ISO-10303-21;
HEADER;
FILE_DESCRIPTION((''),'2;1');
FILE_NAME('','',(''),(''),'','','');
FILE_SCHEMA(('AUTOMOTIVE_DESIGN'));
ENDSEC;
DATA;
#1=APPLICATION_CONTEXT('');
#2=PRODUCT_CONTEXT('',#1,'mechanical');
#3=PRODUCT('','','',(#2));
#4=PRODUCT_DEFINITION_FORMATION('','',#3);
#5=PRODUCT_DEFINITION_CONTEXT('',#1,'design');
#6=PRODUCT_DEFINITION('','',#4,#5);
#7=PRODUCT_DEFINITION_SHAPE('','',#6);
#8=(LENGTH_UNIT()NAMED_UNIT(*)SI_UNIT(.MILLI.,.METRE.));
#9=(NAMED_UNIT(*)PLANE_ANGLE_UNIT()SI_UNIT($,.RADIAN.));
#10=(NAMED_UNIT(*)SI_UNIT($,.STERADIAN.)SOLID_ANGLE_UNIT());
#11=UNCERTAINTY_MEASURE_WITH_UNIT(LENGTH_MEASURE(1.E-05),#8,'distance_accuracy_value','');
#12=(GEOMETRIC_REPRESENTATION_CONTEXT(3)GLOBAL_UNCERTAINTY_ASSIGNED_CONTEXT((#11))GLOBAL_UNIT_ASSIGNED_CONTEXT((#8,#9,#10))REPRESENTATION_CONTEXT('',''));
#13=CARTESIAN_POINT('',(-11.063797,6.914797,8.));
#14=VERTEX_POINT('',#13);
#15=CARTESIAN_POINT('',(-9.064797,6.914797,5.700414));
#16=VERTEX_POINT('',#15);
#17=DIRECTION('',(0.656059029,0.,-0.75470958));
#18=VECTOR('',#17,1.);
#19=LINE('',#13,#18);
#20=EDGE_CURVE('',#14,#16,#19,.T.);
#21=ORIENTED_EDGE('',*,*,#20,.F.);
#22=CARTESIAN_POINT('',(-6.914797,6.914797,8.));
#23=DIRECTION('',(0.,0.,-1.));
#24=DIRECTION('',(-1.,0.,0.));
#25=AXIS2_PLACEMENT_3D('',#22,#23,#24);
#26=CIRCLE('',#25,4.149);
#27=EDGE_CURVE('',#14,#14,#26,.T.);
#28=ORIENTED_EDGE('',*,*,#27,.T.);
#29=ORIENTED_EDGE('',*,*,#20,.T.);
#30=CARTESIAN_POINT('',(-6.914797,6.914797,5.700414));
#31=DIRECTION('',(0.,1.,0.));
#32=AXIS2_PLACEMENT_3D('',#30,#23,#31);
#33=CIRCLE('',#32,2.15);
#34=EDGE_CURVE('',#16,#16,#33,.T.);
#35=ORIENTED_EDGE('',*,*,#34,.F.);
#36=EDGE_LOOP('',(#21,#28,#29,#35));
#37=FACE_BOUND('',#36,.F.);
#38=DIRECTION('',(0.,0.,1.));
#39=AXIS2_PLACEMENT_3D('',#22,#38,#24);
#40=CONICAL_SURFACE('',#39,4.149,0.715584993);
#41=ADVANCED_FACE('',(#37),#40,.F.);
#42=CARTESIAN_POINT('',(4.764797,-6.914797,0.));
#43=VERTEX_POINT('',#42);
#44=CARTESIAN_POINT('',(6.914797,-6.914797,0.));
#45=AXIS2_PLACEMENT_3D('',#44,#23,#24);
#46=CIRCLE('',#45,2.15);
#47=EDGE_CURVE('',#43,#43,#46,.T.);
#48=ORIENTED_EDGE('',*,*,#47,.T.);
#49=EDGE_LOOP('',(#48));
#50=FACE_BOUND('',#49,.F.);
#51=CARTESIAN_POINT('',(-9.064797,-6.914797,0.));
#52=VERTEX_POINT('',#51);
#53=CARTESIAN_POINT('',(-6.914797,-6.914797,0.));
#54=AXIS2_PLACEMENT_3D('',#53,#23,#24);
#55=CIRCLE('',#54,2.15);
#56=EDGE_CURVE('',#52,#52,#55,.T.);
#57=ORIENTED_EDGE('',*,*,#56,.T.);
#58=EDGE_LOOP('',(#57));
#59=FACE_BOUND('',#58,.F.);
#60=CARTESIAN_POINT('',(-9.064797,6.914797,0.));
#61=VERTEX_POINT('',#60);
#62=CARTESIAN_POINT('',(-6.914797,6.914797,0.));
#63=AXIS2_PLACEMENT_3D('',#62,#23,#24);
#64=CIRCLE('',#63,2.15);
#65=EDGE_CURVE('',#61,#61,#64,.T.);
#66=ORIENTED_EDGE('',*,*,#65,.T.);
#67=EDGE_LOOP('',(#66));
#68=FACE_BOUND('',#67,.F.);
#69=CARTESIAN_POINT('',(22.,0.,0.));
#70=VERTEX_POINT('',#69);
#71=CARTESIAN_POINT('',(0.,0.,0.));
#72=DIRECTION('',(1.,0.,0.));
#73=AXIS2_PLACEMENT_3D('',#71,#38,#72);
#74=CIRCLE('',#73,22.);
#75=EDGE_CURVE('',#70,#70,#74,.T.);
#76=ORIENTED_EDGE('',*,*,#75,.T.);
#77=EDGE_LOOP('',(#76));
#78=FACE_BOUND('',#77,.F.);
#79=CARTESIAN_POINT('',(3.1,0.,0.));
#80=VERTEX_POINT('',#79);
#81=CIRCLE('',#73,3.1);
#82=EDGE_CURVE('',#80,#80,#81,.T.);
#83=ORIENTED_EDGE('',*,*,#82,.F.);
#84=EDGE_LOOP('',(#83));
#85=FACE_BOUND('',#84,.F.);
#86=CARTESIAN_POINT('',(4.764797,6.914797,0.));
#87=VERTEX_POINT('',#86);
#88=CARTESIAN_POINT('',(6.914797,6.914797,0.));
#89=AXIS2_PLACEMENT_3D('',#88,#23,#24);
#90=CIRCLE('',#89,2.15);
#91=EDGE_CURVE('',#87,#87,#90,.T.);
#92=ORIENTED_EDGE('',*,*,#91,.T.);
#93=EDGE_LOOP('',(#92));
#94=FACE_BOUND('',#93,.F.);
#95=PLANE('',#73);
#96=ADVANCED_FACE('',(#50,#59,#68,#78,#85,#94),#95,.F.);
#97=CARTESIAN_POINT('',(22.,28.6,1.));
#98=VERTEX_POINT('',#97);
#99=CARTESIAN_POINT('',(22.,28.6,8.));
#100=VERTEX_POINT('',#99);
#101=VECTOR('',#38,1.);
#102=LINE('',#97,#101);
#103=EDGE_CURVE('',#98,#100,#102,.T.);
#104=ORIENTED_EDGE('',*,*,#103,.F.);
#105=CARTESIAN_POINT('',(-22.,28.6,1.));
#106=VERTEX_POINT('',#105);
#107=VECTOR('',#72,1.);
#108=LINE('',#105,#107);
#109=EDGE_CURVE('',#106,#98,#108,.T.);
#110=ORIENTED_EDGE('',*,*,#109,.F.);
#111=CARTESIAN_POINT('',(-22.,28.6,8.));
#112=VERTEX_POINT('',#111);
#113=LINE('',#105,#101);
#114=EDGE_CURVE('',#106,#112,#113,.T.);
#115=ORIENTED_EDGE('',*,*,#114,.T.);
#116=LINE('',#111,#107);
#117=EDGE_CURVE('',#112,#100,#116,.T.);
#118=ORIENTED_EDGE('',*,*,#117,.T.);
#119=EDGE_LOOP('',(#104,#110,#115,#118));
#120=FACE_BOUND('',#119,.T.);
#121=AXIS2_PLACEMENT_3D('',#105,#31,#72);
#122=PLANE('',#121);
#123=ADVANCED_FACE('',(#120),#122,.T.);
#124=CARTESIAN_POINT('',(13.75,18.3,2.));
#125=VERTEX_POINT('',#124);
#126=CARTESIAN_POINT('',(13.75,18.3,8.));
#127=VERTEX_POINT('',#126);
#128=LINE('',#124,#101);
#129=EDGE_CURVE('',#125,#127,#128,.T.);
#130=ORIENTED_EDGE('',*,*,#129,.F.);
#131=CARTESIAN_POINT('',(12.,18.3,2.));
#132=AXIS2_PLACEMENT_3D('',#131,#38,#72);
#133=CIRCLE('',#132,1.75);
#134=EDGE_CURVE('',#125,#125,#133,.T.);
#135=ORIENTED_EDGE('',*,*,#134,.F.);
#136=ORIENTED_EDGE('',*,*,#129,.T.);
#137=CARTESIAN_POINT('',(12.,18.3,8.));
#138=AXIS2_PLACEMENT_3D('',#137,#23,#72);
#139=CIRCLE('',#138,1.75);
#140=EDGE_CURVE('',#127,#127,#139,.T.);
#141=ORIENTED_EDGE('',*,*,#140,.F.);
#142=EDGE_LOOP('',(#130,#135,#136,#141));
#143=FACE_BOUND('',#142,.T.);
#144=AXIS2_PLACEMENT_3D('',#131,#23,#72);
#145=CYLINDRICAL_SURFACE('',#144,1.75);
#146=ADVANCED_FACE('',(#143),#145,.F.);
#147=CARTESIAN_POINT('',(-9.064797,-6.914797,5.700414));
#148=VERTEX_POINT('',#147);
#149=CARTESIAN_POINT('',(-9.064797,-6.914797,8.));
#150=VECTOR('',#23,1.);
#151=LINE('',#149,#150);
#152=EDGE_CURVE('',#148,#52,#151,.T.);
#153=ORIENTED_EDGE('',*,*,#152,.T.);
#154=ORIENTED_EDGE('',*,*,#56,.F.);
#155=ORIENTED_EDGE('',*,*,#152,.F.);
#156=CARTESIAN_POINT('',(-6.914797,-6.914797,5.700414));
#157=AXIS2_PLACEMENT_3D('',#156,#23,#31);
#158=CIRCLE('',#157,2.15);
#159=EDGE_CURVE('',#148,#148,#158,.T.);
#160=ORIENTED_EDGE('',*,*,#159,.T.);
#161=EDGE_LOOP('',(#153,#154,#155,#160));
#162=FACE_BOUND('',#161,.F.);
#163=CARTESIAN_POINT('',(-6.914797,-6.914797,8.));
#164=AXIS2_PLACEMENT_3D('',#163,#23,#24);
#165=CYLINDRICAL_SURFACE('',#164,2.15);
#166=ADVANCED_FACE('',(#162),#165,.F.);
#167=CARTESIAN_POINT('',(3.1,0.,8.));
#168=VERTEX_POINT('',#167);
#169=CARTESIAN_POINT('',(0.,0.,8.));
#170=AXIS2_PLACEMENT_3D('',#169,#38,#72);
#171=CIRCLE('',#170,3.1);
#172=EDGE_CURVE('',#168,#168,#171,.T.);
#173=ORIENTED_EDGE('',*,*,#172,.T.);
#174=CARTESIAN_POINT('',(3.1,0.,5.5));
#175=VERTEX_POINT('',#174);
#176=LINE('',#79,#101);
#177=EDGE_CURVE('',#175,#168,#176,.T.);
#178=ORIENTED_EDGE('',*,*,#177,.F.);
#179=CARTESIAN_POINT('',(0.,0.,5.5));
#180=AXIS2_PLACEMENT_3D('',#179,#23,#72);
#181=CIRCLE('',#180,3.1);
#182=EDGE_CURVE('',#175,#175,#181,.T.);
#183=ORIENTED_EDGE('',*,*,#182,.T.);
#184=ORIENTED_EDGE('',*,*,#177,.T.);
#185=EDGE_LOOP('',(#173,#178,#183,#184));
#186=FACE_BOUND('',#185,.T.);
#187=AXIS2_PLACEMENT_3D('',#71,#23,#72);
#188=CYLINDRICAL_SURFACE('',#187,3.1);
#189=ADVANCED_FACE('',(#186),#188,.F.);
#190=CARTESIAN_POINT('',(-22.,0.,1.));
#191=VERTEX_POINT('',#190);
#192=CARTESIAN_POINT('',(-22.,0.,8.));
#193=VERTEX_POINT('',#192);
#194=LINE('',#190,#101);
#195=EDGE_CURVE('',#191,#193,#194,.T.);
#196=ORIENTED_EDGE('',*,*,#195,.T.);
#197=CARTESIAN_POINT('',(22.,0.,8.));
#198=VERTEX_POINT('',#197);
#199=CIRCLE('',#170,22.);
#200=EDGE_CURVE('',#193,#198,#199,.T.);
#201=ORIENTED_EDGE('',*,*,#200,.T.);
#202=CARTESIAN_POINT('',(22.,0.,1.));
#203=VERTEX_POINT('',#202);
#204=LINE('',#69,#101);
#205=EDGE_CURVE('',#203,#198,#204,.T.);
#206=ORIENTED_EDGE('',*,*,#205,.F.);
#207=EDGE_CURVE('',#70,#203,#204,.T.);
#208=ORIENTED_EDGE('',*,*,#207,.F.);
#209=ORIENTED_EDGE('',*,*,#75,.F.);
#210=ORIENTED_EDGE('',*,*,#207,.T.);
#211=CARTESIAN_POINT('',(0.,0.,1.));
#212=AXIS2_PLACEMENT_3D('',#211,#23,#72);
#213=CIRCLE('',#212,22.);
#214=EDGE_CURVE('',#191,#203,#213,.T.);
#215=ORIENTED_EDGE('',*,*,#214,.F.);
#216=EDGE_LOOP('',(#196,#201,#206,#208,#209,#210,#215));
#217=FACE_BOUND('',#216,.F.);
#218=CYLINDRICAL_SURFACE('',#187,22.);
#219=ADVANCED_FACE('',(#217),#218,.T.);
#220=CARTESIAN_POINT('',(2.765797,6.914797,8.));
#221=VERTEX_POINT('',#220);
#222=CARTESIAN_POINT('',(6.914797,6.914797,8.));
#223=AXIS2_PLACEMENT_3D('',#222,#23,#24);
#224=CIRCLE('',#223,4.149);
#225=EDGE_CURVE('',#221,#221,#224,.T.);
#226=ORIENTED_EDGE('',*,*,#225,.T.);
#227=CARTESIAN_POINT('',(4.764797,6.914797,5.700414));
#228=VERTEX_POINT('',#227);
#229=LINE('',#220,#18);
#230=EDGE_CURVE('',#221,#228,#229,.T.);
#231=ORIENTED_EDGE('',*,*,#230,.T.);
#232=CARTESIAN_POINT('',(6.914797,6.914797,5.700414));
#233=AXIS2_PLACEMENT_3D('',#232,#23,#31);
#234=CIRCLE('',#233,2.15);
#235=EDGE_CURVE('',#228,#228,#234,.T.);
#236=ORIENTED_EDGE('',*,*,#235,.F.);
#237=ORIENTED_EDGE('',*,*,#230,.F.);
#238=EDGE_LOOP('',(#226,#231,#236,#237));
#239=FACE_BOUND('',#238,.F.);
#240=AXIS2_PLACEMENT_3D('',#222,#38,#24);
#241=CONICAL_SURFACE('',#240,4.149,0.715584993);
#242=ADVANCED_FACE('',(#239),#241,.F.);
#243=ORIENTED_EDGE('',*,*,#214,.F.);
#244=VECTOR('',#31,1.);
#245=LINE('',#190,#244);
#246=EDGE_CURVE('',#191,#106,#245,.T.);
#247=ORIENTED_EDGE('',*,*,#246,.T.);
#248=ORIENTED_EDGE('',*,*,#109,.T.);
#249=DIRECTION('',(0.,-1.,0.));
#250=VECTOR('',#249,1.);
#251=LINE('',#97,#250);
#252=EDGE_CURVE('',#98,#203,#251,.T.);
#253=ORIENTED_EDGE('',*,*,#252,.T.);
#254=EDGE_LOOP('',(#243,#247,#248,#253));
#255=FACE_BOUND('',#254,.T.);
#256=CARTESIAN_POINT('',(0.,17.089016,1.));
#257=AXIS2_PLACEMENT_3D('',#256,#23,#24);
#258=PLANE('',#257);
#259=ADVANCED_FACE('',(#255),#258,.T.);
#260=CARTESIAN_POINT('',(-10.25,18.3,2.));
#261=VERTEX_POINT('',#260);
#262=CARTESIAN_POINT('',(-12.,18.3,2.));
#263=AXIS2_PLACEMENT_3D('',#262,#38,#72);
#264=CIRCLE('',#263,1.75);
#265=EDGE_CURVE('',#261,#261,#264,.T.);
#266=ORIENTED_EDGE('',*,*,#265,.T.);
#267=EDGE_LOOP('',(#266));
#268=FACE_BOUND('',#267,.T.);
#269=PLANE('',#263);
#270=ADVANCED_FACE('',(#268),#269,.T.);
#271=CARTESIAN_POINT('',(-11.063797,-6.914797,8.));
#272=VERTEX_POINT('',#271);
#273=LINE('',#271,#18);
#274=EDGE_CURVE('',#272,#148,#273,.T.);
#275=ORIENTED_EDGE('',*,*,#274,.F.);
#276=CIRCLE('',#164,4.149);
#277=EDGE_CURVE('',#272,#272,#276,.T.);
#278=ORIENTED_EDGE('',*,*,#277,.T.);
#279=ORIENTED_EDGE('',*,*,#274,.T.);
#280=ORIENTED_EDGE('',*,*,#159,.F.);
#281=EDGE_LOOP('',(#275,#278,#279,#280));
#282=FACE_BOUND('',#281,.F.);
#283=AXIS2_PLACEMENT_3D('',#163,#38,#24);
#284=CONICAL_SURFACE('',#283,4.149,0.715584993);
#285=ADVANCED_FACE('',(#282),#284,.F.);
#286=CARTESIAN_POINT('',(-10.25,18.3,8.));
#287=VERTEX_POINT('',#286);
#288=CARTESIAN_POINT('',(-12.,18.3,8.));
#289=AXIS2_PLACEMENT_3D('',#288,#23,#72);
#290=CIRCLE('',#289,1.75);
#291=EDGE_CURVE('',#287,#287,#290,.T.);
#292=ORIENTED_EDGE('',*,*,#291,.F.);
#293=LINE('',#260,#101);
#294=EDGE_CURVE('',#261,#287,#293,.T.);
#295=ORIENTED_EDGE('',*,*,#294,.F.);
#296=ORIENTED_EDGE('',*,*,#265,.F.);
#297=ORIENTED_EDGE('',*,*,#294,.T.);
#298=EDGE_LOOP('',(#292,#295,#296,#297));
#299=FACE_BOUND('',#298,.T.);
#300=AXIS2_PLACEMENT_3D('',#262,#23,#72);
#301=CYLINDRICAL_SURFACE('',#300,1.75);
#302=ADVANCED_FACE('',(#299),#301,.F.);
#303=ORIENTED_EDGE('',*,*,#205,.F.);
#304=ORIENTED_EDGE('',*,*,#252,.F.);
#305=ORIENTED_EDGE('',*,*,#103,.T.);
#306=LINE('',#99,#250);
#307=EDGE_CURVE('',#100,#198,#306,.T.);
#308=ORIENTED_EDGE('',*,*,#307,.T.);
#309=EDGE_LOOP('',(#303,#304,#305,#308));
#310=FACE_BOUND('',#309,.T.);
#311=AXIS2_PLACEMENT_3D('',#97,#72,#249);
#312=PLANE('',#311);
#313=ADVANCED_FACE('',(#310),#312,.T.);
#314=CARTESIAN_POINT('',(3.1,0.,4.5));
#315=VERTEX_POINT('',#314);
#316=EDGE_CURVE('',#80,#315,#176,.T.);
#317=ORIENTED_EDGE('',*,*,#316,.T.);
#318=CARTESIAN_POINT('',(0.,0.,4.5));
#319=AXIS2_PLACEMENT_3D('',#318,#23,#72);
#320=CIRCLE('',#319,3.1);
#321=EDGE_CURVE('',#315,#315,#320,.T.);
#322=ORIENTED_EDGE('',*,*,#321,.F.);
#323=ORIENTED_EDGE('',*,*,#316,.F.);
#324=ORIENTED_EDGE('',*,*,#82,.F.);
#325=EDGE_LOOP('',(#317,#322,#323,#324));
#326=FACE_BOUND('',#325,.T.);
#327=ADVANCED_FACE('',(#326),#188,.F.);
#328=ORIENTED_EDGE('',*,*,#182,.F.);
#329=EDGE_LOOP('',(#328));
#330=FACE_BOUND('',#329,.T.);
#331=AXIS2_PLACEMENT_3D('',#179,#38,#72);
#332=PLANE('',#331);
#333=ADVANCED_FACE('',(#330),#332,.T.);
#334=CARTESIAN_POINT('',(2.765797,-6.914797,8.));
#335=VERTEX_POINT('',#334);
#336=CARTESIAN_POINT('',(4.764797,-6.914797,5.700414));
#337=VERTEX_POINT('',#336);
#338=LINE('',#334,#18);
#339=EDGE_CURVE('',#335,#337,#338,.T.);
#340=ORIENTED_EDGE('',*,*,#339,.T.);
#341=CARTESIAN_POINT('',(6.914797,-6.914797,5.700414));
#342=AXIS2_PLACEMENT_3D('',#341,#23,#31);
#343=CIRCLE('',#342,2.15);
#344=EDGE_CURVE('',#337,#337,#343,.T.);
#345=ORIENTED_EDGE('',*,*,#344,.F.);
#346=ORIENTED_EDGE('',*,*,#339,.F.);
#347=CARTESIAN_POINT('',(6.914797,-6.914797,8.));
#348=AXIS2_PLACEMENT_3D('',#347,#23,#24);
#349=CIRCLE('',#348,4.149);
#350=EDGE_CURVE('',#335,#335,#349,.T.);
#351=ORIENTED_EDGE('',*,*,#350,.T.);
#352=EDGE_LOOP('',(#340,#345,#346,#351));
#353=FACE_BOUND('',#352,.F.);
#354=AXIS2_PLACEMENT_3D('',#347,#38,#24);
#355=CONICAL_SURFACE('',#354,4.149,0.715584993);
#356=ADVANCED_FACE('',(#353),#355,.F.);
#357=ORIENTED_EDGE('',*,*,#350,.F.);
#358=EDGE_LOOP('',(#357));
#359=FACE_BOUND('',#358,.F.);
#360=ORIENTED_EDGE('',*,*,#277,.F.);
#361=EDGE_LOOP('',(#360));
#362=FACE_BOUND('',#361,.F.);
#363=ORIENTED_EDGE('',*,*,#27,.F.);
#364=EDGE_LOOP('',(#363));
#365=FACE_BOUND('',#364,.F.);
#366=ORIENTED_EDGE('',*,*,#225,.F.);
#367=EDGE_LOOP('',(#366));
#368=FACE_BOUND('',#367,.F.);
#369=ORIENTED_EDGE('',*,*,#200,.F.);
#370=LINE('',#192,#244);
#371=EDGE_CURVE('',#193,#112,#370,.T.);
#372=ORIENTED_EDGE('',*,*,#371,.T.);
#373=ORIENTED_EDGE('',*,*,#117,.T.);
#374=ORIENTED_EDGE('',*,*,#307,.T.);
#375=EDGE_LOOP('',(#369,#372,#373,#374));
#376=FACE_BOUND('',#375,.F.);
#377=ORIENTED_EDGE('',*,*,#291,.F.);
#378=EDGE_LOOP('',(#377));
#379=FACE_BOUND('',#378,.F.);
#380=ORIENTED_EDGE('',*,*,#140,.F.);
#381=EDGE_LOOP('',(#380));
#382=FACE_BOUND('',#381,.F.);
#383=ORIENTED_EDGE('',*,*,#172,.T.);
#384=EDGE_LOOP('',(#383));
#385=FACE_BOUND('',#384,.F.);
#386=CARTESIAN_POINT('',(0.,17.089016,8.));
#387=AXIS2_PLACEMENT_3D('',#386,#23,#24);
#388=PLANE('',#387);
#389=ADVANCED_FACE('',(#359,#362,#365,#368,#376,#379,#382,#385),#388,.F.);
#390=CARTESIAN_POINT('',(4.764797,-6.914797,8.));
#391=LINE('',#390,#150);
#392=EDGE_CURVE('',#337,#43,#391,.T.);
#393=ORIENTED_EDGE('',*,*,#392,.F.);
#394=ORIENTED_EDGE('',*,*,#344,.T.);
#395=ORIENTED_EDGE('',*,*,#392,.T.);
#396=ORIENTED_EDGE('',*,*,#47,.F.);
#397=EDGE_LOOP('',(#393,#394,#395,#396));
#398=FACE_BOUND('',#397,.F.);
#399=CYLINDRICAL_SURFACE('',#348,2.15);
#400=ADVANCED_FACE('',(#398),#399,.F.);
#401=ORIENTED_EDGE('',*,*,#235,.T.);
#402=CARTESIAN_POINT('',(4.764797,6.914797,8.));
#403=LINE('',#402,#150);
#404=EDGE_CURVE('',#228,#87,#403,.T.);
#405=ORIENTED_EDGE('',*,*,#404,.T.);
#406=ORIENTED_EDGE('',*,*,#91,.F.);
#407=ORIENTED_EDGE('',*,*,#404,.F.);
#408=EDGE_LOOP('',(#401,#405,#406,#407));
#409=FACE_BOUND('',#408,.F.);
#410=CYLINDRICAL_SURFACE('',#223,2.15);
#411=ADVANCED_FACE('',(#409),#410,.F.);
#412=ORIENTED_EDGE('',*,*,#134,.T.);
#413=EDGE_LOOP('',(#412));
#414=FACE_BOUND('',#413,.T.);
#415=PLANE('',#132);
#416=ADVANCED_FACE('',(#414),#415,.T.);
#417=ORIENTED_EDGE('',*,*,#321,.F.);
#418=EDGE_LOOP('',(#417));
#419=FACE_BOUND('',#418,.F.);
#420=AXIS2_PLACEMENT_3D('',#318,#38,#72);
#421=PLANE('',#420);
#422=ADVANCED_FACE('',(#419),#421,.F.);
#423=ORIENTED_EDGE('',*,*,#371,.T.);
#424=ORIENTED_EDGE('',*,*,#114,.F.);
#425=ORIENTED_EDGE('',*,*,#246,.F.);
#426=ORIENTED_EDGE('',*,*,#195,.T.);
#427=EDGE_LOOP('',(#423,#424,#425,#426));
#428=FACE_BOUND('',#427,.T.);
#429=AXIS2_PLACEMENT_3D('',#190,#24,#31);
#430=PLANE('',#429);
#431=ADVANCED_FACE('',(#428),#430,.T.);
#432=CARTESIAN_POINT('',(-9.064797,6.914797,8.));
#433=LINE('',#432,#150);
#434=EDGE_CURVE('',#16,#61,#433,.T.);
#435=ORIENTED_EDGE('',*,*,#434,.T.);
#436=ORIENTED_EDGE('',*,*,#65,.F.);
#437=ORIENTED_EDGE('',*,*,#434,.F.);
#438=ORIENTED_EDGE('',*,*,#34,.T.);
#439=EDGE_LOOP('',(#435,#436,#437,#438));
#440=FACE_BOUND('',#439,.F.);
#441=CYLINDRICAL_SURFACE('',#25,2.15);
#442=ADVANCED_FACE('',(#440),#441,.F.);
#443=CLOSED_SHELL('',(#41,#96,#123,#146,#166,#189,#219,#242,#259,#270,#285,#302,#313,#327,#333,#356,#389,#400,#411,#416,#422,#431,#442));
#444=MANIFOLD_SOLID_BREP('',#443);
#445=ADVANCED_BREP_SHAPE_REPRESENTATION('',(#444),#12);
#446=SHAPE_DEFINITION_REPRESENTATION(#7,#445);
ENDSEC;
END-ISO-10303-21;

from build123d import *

# Parameters (mm, degrees)
SKETCH096_R         = 22
SKETCH096_R_2       = 3.1
PAD057_DEPTH        = 8
HOLE005_D           = 4.3
HOLE005_CSINK_D     = 8.298
HOLE005_CSINK_ANGLE = 82
SKETCH093_R         = 4
PAD058_DEPTH        = 1
PAD059_DEPTH        = 7
SKETCH094_R         = 1.75
POCKET029_DEPTH     = 6.001


with BuildPart() as part:
    # Sketch096 → Pad057 (new body)
    with BuildSketch(Plane.XY):
        Circle(SKETCH096_R)
        Circle(SKETCH096_R_2, mode=Mode.SUBTRACT)
    extrude(amount=PAD057_DEPTH)

    # Hole005 (through all)
    with Locations(Plane.XY.offset(8)):
        with Locations((-6.914797, 6.914797), (6.914797, 6.914797), (6.914797, -6.914797), (-6.914797, -6.914797)):
            CounterSinkHole(HOLE005_D / 2, HOLE005_CSINK_D / 2, counter_sink_angle=HOLE005_CSINK_ANGLE)

    # Sketch093 → Pad058 (join)
    with BuildSketch(Plane.XY.offset(4.5)):
        Circle(SKETCH093_R)
    extrude(amount=PAD058_DEPTH)

    # Sketch095 → Pad059 (join)
    with BuildSketch(Plane.XY.offset(1)):
        with BuildLine():
            Line((-22, 0), (-22, 28.6))
            Line((-22, 28.6), (22, 28.6))
            Line((22, 28.6), (22, 0))
            Line((22, 0), (21, 0))
            ThreePointArc((21, 0), (0, 21), (-21, 0))
            Line((-21, 0), (-22, 0))
        make_face()
    extrude(amount=PAD059_DEPTH)

    # Sketch094 → Pocket029 (cut, through all)
    with BuildSketch(Plane.XY.offset(2)):
        with Locations((-12, 18.3)):
            Circle(SKETCH094_R)
        with Locations((12, 18.3)):
            Circle(SKETCH094_R)
    extrude(amount=POCKET029_DEPTH, mode=Mode.SUBTRACT)


solid = part.part
